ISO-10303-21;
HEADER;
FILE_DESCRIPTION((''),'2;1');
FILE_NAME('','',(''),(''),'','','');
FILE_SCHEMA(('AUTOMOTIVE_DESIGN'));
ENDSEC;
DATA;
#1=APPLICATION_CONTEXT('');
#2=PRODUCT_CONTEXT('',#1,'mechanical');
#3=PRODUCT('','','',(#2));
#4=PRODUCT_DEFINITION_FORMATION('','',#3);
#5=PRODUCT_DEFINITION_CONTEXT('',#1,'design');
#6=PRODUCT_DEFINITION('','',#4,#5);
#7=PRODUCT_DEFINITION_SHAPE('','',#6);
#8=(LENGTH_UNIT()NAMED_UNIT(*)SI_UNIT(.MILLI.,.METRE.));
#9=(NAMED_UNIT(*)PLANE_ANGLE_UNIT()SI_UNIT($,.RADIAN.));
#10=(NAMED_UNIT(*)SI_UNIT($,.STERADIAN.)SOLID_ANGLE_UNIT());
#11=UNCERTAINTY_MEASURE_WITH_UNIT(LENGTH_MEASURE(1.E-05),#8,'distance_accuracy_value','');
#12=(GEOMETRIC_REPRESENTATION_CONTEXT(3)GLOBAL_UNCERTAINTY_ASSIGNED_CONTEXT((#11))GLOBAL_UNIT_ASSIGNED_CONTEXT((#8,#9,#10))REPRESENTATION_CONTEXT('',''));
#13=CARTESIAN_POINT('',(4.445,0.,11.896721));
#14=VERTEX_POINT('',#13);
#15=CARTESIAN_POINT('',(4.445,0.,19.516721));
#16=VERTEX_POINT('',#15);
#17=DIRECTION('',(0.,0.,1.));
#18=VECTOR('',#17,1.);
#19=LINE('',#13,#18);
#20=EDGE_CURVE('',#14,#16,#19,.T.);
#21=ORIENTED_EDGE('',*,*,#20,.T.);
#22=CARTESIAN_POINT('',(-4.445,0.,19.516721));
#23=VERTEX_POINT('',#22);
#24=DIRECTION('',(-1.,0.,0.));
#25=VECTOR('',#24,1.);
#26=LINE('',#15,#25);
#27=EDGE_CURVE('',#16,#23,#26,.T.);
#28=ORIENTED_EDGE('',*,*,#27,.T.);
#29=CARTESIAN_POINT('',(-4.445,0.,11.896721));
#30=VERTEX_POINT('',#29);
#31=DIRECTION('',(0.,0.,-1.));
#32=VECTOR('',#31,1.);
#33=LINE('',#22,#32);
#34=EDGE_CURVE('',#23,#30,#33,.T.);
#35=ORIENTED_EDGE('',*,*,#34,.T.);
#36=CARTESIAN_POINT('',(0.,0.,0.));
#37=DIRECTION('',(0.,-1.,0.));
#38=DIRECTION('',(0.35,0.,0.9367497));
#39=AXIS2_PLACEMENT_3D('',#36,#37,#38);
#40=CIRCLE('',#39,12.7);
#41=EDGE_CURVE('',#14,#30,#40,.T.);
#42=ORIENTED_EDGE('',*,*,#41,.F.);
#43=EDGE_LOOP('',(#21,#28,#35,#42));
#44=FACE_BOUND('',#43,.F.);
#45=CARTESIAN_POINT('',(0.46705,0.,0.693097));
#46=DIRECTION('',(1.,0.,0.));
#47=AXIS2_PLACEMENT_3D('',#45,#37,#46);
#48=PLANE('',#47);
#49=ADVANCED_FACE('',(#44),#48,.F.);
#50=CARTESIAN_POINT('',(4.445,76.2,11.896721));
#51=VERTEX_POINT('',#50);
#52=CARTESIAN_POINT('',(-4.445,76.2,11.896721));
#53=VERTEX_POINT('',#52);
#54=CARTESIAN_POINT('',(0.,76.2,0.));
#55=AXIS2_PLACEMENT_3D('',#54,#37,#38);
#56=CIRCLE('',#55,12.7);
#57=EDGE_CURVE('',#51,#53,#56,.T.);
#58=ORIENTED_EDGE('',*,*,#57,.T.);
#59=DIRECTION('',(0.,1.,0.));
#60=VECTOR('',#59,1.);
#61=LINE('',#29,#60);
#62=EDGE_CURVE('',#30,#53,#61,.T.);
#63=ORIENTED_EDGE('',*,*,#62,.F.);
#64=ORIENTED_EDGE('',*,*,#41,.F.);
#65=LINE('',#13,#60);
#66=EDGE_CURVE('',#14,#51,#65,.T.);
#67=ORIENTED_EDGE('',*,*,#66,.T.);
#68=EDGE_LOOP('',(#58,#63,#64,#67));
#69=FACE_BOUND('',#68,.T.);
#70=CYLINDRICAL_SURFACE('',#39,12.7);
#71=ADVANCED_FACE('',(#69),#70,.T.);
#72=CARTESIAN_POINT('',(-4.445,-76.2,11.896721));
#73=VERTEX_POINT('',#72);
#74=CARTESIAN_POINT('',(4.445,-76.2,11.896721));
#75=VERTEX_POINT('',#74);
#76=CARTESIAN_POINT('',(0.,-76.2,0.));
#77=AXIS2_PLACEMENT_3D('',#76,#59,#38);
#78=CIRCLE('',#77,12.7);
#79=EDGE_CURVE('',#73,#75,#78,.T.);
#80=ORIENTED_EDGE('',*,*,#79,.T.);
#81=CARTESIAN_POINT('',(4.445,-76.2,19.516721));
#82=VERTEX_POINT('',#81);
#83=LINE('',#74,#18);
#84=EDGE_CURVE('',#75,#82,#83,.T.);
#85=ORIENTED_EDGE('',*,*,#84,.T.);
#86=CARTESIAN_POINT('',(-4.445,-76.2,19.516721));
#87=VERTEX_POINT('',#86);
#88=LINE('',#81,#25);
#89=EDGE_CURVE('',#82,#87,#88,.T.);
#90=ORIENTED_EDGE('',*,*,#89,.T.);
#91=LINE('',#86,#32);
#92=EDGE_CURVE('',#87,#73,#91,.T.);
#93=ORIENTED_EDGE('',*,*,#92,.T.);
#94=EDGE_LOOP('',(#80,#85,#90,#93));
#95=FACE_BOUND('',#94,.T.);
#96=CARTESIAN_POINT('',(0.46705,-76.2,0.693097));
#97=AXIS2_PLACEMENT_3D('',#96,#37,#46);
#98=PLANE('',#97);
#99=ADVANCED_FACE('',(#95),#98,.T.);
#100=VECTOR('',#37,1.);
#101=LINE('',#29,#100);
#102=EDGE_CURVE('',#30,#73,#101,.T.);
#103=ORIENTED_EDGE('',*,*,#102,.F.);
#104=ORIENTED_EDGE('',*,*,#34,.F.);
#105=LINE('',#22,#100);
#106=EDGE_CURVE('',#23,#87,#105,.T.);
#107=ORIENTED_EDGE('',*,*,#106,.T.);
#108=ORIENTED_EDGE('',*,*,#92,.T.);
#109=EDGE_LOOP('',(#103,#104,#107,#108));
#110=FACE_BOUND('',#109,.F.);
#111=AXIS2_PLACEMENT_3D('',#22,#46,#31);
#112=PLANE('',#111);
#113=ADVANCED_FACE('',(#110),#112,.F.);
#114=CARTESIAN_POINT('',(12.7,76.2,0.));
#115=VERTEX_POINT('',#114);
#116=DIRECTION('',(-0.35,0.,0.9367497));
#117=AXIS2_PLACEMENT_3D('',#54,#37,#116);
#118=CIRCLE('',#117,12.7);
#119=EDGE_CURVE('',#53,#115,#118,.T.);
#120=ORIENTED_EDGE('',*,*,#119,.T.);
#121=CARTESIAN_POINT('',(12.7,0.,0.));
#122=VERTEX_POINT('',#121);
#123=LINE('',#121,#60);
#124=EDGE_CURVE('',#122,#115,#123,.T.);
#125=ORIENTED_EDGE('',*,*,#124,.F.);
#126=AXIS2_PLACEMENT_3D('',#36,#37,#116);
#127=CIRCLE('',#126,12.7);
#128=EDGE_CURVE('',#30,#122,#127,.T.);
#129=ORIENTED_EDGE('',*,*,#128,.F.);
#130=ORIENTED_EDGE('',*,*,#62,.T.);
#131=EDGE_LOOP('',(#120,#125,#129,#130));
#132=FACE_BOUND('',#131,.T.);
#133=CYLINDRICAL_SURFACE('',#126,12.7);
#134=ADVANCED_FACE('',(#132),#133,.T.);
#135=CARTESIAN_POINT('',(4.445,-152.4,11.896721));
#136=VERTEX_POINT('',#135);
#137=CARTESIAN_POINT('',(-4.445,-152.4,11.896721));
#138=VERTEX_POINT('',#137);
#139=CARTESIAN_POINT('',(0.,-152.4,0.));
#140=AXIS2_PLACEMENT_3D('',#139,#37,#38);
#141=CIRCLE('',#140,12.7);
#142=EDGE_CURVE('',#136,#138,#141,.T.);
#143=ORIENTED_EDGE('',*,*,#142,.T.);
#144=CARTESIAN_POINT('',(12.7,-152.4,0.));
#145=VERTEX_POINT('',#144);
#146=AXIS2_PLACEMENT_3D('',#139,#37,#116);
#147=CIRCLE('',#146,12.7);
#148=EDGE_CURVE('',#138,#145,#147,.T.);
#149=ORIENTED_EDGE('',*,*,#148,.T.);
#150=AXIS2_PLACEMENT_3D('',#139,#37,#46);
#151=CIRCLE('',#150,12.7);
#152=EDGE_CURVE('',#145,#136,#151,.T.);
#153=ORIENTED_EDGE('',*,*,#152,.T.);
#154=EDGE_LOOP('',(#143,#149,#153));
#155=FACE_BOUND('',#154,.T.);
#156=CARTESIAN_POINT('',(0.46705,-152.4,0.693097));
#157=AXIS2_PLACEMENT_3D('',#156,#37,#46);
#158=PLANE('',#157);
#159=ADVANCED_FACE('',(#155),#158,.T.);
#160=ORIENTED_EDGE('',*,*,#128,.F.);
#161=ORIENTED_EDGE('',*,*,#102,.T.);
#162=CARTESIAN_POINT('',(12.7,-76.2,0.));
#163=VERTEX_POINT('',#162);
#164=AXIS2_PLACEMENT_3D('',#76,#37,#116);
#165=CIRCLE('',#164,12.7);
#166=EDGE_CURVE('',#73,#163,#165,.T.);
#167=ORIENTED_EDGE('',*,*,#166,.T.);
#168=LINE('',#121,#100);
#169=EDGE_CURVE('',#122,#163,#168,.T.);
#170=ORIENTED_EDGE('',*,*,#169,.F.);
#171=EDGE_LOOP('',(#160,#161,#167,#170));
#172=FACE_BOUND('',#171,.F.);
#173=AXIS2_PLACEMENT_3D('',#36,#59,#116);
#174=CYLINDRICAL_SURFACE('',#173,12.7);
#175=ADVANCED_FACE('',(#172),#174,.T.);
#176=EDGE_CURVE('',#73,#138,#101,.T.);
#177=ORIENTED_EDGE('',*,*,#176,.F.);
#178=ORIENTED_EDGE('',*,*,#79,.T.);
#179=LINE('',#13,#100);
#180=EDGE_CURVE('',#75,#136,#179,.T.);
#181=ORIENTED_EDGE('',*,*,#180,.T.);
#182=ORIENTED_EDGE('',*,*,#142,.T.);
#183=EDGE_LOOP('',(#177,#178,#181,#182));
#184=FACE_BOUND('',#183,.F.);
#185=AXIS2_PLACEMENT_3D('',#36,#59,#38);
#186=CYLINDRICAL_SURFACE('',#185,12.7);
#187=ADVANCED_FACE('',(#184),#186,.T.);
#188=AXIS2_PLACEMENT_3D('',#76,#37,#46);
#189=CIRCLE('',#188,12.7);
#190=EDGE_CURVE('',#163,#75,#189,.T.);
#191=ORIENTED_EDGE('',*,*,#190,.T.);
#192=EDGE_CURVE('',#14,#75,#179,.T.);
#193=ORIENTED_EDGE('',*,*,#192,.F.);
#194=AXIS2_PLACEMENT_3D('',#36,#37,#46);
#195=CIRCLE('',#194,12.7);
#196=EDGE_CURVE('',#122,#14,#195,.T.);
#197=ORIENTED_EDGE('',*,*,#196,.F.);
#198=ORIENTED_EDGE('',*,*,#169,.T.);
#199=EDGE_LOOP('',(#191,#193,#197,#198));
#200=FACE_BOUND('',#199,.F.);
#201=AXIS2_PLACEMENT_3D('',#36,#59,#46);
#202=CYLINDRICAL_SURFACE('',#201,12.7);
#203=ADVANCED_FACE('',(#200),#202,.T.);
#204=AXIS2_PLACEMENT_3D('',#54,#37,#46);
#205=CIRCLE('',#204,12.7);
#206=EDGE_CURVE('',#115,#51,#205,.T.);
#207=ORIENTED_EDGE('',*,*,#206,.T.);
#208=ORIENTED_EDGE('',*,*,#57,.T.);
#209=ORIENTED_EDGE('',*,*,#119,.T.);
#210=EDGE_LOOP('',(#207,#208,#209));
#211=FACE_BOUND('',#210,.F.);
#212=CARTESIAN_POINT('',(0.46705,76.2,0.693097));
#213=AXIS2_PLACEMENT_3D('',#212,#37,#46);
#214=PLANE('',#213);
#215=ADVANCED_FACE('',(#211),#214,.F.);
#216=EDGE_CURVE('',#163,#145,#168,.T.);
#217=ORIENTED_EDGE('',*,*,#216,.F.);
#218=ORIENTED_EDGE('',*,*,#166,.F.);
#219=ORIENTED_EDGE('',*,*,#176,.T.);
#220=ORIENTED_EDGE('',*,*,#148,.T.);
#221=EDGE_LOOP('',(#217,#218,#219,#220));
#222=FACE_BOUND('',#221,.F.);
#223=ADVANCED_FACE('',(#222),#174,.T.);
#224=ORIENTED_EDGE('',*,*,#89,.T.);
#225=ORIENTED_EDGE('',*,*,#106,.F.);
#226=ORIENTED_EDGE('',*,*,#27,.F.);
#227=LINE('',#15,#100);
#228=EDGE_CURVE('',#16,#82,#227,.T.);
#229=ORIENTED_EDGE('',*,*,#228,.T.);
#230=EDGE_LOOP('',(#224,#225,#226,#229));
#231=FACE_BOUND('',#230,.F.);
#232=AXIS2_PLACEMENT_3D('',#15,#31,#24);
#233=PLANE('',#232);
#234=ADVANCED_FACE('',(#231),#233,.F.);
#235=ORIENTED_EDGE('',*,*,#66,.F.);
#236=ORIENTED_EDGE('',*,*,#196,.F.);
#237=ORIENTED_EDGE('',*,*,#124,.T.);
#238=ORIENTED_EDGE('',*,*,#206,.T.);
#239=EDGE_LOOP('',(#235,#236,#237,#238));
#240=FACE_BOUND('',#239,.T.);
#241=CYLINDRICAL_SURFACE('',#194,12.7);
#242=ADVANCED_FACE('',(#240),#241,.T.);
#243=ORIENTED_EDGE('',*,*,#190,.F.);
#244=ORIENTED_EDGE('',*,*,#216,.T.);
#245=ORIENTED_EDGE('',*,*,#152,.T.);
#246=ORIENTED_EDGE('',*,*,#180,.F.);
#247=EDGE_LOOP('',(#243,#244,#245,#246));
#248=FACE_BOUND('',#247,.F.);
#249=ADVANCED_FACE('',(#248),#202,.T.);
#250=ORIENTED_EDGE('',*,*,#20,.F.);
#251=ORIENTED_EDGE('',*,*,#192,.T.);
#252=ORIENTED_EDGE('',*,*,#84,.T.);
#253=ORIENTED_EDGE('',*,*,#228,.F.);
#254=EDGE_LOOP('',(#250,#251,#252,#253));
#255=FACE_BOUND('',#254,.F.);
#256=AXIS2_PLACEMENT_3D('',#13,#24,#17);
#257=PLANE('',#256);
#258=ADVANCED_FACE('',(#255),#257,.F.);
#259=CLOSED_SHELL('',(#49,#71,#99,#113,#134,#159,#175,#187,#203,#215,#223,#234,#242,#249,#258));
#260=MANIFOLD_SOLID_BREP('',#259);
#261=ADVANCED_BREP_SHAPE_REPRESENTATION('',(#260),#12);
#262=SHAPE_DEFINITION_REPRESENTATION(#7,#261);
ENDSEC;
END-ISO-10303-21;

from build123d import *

# Parameters (mm, degrees)
F1_DEPTH      = 76.2
F2_DEPTH      = 76.2
F2_DEPTH_BACK = 152.4


with BuildPart() as f1:
    # F0 (on Front) → F1 (new body)
    with BuildSketch(Plane.XZ):
        with BuildLine():
            ThreePointArc((-4.445, 11.8967211869), (-7.2401139494, -10.4341147205), (12.7, 0))
            ThreePointArc((12.7, 0), (10.4341147205, 7.2401139494), (4.445, 11.8967211869))
            ThreePointArc((4.445, 11.8967211869), (0, 12.7), (-4.445, 11.8967211869))
        make_face()
        with BuildLine():
            ThreePointArc((-4.445, 11.8967211869), (0, 12.7), (4.445, 11.8967211869))
            Line((4.445, 11.8967211869), (4.445, 19.5167211869))
            Line((4.445, 19.5167211869), (-4.445, 19.5167211869))
            Line((-4.445, 19.5167211869), (-4.445, 11.8967211869))
        make_face()
    extrude(amount=F1_DEPTH)

    # F0 (on Front) → F2 (join, two sides)
    with BuildSketch(Plane.XZ) as f2_sk:
        with BuildLine():
            ThreePointArc((-4.445, 11.8967211869), (-7.2401139494, -10.4341147205), (12.7, 0))
            ThreePointArc((12.7, 0), (10.4341147205, 7.2401139494), (4.445, 11.8967211869))
            ThreePointArc((4.445, 11.8967211869), (0, 12.7), (-4.445, 11.8967211869))
        make_face()
    extrude(amount=-F2_DEPTH)
    extrude(f2_sk.sketch, amount=F2_DEPTH_BACK)


solid = f1.part
